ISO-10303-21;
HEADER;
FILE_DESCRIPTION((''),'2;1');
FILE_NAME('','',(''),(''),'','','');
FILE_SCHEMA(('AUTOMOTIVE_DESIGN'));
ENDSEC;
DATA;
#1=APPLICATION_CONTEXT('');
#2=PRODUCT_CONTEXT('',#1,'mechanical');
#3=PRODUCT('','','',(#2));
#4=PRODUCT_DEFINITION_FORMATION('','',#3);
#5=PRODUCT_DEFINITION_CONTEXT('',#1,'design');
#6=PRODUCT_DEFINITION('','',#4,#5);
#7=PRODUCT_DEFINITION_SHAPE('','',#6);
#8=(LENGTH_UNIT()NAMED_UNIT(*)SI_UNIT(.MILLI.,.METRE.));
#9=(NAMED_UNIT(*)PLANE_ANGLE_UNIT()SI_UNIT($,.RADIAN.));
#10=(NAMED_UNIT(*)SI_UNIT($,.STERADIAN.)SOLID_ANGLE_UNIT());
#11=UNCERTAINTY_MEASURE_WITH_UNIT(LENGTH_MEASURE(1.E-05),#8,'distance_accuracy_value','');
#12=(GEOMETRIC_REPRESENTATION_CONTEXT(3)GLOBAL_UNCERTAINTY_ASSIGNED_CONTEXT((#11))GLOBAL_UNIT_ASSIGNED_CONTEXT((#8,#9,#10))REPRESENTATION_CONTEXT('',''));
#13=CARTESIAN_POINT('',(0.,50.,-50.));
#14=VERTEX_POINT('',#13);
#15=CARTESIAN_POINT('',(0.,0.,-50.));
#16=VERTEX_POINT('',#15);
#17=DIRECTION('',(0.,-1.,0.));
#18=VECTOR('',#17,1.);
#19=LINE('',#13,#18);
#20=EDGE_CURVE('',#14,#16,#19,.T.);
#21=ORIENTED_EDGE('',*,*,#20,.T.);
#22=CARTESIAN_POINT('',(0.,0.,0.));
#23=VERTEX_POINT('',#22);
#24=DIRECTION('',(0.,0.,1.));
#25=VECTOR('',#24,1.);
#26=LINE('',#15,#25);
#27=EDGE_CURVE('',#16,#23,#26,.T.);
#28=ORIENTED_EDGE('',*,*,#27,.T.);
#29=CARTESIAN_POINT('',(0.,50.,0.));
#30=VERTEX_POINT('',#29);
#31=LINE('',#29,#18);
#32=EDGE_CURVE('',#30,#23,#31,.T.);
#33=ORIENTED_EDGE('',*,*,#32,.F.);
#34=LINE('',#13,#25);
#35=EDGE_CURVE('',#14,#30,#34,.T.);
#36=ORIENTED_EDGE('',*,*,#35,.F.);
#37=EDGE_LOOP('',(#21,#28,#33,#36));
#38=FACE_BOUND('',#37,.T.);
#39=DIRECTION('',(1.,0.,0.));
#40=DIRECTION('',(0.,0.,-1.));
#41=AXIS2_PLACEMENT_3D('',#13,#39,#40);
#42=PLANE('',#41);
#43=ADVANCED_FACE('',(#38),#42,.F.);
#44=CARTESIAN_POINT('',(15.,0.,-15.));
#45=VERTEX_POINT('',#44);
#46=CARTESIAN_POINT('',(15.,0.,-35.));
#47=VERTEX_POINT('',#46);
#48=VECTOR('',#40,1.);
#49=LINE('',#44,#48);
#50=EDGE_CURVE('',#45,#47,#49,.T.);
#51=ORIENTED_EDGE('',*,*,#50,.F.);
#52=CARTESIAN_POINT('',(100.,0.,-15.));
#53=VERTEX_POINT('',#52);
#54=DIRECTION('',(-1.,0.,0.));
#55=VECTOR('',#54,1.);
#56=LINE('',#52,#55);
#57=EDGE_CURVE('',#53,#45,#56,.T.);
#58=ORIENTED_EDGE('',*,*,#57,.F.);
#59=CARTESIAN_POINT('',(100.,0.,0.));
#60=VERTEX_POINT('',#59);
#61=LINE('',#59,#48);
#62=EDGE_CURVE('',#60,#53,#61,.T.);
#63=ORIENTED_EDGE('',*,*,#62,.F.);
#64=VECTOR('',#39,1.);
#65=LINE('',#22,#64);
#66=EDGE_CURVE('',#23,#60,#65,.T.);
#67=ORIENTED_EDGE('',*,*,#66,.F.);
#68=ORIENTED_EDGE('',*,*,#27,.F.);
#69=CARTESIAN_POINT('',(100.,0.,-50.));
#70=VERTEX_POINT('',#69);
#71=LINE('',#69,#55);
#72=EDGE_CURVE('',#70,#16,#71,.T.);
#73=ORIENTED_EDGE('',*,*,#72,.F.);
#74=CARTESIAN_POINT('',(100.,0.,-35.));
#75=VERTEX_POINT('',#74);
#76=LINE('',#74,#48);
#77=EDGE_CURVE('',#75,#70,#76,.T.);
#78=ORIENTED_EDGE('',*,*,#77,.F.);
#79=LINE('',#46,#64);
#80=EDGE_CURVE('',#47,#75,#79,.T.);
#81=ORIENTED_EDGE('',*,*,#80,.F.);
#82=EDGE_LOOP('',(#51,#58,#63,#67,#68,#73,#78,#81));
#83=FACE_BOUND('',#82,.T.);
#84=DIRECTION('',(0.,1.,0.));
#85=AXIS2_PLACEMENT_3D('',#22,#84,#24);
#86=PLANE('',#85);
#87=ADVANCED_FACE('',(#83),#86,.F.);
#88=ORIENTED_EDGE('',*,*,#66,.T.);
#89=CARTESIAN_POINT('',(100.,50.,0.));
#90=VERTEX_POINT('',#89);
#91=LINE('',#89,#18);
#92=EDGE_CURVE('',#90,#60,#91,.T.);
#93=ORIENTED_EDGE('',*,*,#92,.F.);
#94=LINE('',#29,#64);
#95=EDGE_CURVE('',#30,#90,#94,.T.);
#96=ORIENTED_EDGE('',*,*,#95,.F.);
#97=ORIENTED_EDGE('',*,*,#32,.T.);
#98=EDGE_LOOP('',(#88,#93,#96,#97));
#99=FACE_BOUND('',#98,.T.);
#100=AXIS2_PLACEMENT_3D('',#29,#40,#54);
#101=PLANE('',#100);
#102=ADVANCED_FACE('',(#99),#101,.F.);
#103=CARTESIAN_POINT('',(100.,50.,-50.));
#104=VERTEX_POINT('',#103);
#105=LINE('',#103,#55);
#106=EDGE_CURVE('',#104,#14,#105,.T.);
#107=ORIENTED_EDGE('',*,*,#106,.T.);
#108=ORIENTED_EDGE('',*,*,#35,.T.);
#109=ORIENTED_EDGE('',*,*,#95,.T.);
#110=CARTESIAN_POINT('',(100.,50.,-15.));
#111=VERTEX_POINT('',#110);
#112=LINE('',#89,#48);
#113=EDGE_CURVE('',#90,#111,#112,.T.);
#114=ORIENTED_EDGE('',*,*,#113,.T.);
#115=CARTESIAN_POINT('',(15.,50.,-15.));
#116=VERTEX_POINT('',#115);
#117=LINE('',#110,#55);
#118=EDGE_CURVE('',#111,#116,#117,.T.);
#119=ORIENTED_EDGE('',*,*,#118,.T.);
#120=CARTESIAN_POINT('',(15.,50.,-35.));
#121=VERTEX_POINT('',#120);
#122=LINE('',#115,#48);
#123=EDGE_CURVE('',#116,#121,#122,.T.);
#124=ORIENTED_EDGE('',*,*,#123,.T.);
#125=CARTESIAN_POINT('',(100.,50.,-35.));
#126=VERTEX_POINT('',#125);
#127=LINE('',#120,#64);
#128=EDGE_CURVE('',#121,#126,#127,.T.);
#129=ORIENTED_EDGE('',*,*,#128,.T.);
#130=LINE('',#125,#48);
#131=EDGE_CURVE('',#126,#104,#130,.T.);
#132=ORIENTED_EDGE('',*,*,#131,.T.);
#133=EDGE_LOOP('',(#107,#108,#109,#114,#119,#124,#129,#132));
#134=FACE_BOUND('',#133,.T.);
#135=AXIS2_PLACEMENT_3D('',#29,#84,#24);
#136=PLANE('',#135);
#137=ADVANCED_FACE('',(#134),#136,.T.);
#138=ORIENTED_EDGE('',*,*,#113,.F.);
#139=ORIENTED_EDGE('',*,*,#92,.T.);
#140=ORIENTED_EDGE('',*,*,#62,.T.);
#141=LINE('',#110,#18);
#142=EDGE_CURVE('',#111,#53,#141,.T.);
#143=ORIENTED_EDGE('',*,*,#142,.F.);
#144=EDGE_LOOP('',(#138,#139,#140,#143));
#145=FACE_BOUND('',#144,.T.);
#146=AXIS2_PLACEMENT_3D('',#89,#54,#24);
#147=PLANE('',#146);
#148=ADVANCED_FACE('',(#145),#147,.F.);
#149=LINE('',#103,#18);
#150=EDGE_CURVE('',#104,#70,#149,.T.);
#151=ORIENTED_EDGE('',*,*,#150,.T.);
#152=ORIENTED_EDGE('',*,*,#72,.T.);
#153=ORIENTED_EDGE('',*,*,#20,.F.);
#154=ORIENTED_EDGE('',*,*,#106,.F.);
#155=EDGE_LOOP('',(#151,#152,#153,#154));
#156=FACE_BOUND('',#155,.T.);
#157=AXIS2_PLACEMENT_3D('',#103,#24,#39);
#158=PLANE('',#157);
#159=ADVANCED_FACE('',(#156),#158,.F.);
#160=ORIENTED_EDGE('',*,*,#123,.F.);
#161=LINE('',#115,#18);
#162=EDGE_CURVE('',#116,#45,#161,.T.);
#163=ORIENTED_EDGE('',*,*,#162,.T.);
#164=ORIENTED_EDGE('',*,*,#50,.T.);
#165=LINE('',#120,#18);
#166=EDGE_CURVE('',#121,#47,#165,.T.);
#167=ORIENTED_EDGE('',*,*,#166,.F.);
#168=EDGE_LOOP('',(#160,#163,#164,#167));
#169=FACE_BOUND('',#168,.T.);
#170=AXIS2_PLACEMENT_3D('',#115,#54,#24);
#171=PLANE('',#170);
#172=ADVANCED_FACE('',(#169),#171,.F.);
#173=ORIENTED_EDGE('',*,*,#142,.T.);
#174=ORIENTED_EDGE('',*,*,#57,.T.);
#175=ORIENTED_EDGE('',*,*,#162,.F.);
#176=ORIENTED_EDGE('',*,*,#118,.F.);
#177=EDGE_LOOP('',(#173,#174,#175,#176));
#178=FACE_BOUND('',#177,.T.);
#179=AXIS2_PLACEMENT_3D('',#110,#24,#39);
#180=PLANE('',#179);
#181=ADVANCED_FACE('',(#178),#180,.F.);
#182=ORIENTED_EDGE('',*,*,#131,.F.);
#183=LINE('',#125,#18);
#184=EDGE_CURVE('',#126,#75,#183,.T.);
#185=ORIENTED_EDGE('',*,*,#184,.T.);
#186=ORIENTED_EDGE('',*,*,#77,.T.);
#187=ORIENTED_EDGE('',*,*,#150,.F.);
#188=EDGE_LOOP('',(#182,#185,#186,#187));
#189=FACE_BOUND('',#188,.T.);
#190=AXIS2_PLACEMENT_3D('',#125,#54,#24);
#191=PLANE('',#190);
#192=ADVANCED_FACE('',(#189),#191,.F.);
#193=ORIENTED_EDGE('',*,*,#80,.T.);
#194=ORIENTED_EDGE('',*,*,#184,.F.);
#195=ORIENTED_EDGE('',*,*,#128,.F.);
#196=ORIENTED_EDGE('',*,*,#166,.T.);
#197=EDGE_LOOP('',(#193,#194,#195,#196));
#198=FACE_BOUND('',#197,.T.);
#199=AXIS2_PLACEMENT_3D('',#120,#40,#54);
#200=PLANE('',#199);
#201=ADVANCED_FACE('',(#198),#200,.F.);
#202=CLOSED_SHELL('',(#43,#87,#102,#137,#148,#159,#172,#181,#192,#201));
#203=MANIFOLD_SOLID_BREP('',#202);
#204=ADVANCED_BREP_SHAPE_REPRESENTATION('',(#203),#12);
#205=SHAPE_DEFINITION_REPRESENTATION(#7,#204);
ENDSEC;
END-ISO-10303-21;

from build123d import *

# Parameters (mm, degrees)
BOSS_EXTRUDE1_DEPTH = 50


with BuildPart() as part:
    # Sketch1 → Boss-Extrude1 (new body)
    with BuildSketch(Plane(origin=(0, 0, 0), x_dir=(1, 0, 0), z_dir=(0, 1, 0))):
        Polygon((0, 0), (100, 0), (100, 15), (15, 15), (15, 35), (100, 35), (100, 50), (0, 50), align=None)
    extrude(amount=BOSS_EXTRUDE1_DEPTH)


solid = part.part
